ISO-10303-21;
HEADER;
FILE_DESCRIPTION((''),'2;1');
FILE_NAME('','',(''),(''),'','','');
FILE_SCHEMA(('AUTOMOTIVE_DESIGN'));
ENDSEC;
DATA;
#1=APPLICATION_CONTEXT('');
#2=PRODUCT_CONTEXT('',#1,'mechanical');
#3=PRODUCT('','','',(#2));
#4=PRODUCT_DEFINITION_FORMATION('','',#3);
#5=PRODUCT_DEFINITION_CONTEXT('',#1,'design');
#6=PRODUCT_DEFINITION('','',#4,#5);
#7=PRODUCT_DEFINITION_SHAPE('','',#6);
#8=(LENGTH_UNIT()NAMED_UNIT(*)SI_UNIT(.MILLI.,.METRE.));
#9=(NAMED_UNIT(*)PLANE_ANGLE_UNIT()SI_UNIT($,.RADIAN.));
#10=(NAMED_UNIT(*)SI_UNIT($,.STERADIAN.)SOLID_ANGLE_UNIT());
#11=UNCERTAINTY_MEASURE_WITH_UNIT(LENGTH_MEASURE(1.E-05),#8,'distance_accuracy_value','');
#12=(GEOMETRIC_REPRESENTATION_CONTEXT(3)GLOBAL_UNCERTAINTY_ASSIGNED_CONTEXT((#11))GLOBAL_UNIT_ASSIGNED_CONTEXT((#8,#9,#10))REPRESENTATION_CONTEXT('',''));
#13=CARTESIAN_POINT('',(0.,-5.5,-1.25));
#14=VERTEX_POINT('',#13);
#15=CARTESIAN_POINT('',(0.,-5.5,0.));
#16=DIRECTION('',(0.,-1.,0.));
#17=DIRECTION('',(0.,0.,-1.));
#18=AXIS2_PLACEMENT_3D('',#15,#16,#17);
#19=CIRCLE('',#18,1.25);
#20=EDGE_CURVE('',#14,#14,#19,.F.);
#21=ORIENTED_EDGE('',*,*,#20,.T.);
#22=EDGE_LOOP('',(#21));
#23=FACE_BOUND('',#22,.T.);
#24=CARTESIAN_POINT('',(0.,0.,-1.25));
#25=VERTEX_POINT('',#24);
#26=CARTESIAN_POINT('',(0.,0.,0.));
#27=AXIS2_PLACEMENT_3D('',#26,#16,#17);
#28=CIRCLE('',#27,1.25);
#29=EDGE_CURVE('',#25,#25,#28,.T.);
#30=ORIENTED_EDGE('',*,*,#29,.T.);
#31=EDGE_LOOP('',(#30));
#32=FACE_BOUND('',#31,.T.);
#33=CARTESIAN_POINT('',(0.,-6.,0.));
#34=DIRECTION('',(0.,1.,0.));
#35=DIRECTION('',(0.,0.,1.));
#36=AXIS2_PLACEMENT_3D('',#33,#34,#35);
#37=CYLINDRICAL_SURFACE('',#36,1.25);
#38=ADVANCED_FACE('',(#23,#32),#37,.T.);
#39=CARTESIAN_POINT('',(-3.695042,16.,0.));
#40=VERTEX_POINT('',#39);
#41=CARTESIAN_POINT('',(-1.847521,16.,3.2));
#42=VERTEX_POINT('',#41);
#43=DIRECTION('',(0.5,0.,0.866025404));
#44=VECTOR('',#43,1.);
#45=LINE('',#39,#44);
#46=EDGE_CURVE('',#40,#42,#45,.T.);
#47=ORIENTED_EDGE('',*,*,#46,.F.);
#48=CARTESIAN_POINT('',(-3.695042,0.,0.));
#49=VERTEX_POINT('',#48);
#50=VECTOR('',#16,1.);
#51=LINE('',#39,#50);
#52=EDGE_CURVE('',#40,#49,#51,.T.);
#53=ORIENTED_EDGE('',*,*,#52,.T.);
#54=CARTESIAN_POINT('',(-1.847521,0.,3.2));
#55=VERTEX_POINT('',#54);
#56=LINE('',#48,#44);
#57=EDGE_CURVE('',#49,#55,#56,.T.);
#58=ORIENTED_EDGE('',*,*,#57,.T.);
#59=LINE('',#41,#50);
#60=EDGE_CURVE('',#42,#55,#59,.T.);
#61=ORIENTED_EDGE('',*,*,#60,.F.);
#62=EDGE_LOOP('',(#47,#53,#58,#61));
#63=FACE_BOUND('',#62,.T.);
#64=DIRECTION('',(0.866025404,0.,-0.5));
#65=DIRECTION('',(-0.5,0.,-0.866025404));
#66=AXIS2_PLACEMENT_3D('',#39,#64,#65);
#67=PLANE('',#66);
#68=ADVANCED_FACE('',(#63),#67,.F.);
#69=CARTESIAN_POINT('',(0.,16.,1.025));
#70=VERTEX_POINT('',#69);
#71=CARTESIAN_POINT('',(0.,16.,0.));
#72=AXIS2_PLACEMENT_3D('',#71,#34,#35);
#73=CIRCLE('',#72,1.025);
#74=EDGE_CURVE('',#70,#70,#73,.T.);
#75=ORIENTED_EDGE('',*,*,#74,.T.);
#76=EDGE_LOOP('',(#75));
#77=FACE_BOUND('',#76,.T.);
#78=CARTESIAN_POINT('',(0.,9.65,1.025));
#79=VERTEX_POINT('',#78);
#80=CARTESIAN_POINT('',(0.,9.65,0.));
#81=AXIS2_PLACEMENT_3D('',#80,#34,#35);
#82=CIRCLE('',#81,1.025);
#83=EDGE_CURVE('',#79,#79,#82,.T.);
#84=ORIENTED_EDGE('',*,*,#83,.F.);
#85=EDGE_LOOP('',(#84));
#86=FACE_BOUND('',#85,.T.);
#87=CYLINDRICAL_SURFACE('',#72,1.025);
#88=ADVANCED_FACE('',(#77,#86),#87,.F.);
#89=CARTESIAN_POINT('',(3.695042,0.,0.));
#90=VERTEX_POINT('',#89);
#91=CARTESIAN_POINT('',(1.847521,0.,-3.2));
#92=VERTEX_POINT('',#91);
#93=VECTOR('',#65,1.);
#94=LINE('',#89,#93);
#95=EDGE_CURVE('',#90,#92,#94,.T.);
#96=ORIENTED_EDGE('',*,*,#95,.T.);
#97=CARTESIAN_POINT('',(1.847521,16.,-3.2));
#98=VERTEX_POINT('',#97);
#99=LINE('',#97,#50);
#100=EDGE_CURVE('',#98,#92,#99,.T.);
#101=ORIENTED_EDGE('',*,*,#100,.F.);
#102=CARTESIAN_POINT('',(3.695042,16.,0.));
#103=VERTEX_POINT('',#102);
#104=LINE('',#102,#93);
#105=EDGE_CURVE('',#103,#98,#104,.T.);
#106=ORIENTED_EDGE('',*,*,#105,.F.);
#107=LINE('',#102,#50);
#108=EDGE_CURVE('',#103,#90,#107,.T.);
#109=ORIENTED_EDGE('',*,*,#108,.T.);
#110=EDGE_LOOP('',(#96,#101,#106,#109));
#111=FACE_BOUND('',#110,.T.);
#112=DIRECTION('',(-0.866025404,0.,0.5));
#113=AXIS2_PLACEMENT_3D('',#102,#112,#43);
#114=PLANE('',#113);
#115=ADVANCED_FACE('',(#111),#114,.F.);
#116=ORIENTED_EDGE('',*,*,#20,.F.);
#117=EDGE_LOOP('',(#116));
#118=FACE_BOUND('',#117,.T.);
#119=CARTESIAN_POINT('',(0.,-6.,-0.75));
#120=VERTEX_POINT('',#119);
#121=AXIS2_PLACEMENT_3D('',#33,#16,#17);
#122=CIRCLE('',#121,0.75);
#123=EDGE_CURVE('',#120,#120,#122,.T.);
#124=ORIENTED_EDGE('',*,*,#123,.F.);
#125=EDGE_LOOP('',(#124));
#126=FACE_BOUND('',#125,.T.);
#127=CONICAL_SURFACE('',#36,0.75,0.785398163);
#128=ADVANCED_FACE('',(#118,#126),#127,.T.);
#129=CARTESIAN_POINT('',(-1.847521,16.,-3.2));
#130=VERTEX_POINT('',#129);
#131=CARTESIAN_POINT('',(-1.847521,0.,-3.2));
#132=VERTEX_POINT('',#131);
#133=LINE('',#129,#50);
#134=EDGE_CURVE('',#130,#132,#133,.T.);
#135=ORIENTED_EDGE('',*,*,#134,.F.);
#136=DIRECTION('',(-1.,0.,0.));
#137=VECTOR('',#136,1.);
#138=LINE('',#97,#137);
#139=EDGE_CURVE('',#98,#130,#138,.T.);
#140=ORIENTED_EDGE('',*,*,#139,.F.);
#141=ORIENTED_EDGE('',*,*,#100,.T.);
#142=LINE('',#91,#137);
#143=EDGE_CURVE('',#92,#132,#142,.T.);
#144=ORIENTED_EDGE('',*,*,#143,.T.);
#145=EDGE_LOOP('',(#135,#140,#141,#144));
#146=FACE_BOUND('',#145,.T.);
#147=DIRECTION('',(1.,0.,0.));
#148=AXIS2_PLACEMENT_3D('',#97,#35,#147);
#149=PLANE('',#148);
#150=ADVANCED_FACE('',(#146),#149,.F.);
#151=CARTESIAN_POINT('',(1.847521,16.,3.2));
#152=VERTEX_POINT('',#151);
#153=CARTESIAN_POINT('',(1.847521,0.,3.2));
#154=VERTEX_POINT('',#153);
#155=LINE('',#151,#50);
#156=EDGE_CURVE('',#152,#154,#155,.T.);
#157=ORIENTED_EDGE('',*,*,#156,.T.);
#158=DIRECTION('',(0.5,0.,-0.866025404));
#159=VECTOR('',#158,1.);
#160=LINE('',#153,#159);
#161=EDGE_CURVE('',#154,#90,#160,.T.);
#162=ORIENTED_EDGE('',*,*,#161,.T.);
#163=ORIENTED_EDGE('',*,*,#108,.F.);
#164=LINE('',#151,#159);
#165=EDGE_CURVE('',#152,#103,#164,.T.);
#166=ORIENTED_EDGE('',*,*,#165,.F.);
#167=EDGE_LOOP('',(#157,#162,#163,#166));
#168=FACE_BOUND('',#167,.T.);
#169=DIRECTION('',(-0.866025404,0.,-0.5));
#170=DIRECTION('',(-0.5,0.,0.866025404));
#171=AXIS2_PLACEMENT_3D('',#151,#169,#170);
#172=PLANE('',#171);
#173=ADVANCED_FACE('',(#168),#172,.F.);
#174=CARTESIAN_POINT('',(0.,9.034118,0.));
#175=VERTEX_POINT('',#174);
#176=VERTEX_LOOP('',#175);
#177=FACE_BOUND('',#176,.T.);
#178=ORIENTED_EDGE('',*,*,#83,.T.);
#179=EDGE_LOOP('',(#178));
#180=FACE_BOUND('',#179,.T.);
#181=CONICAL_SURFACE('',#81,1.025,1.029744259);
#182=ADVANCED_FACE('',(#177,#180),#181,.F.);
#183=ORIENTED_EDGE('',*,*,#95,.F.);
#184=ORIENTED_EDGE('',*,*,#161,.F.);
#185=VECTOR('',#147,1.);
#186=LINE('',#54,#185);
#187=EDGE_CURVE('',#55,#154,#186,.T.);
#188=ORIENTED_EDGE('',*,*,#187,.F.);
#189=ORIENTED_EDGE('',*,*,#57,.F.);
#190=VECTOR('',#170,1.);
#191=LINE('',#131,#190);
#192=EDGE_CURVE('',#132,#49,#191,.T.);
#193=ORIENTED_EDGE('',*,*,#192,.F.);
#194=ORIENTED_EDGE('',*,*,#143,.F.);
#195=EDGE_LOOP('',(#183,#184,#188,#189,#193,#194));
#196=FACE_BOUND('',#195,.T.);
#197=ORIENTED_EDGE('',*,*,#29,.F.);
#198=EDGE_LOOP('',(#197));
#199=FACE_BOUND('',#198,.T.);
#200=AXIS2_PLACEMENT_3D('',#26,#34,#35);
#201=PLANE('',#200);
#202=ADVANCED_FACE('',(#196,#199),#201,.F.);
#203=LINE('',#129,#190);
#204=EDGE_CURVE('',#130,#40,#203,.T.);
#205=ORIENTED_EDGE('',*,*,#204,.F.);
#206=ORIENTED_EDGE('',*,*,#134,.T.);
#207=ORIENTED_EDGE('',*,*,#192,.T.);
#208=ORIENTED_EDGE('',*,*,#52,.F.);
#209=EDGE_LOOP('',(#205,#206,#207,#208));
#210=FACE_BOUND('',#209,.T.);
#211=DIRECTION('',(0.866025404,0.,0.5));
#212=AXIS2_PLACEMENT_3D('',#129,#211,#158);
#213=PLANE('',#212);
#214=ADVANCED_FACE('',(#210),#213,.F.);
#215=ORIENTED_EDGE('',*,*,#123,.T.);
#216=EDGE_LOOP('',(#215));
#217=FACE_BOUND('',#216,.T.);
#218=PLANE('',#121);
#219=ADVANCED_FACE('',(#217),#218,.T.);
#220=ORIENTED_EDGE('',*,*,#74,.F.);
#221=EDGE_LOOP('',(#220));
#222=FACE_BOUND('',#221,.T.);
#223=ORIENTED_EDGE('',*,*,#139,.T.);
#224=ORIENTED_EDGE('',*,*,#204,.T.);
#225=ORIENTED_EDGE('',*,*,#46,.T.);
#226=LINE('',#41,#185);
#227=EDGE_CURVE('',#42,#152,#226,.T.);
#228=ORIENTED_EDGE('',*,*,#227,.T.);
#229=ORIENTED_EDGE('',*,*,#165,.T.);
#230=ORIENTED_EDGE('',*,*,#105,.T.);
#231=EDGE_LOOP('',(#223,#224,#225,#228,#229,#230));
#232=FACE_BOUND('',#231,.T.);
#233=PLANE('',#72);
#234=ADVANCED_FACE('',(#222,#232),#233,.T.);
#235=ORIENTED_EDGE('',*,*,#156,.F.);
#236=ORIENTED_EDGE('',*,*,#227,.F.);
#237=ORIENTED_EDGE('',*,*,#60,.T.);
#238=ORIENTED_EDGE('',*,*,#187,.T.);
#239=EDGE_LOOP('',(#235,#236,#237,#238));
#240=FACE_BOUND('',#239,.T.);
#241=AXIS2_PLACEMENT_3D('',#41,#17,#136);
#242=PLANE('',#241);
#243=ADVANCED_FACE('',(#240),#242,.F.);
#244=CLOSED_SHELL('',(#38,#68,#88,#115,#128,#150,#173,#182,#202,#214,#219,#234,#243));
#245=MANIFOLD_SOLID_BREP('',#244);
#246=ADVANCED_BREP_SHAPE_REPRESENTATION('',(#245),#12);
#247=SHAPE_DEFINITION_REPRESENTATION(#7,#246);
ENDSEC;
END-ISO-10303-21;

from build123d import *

# Parameters (mm, degrees)
BOSS_EXTRUDE1_DEPTH     = 16
M2_5_TAPPED_HOLE1_D     = 2.05
M2_5_TAPPED_HOLE1_DEPTH = 6.35
M2_5_TAPPED_HOLE1_TIP   = 0.615882135
SKETCH3_R               = 1.25
BOSS_EXTRUDE2_DEPTH     = 6
CHAMFER1_SIZE           = 0.5


with BuildPart() as part:
    # Sketch1 → Boss-Extrude1 (new body)
    with BuildSketch(Plane(origin=(0, 0, 0), x_dir=(1, 0, 0), z_dir=(0, 1, 0))):
        Polygon((3.695041723, 0), (1.847520861, 3.2), (-1.847520861, 3.2), (-3.695041723, 0), (-1.847520861, -3.2), (1.847520861, -3.2), align=None)
    extrude(amount=BOSS_EXTRUDE1_DEPTH)

    # M2.5 Tapped Hole1
    with Locations(Plane.ZX.offset(16)):
        with Locations((0, 0)):
            Hole(M2_5_TAPPED_HOLE1_D / 2, depth=M2_5_TAPPED_HOLE1_DEPTH)
            with Locations((0, 0, -(M2_5_TAPPED_HOLE1_DEPTH + M2_5_TAPPED_HOLE1_TIP / 2))):  # 118° drill point
                Cone(0, M2_5_TAPPED_HOLE1_D / 2, M2_5_TAPPED_HOLE1_TIP, mode=Mode.SUBTRACT)

    # Sketch3 → Boss-Extrude2 (add)
    with BuildSketch(Plane.XZ):
        with Locations(Location((0, 0, 0), (0, 0, 270))):
            Circle(SKETCH3_R)
    extrude(amount=BOSS_EXTRUDE2_DEPTH)

    # Chamfer1
    chamfer1_edges = [part.edges().sort_by_distance(p)[0] for p in [
        (0, -6, 1.25),
    ]]
    chamfer(chamfer1_edges, length=CHAMFER1_SIZE)


solid = part.part
